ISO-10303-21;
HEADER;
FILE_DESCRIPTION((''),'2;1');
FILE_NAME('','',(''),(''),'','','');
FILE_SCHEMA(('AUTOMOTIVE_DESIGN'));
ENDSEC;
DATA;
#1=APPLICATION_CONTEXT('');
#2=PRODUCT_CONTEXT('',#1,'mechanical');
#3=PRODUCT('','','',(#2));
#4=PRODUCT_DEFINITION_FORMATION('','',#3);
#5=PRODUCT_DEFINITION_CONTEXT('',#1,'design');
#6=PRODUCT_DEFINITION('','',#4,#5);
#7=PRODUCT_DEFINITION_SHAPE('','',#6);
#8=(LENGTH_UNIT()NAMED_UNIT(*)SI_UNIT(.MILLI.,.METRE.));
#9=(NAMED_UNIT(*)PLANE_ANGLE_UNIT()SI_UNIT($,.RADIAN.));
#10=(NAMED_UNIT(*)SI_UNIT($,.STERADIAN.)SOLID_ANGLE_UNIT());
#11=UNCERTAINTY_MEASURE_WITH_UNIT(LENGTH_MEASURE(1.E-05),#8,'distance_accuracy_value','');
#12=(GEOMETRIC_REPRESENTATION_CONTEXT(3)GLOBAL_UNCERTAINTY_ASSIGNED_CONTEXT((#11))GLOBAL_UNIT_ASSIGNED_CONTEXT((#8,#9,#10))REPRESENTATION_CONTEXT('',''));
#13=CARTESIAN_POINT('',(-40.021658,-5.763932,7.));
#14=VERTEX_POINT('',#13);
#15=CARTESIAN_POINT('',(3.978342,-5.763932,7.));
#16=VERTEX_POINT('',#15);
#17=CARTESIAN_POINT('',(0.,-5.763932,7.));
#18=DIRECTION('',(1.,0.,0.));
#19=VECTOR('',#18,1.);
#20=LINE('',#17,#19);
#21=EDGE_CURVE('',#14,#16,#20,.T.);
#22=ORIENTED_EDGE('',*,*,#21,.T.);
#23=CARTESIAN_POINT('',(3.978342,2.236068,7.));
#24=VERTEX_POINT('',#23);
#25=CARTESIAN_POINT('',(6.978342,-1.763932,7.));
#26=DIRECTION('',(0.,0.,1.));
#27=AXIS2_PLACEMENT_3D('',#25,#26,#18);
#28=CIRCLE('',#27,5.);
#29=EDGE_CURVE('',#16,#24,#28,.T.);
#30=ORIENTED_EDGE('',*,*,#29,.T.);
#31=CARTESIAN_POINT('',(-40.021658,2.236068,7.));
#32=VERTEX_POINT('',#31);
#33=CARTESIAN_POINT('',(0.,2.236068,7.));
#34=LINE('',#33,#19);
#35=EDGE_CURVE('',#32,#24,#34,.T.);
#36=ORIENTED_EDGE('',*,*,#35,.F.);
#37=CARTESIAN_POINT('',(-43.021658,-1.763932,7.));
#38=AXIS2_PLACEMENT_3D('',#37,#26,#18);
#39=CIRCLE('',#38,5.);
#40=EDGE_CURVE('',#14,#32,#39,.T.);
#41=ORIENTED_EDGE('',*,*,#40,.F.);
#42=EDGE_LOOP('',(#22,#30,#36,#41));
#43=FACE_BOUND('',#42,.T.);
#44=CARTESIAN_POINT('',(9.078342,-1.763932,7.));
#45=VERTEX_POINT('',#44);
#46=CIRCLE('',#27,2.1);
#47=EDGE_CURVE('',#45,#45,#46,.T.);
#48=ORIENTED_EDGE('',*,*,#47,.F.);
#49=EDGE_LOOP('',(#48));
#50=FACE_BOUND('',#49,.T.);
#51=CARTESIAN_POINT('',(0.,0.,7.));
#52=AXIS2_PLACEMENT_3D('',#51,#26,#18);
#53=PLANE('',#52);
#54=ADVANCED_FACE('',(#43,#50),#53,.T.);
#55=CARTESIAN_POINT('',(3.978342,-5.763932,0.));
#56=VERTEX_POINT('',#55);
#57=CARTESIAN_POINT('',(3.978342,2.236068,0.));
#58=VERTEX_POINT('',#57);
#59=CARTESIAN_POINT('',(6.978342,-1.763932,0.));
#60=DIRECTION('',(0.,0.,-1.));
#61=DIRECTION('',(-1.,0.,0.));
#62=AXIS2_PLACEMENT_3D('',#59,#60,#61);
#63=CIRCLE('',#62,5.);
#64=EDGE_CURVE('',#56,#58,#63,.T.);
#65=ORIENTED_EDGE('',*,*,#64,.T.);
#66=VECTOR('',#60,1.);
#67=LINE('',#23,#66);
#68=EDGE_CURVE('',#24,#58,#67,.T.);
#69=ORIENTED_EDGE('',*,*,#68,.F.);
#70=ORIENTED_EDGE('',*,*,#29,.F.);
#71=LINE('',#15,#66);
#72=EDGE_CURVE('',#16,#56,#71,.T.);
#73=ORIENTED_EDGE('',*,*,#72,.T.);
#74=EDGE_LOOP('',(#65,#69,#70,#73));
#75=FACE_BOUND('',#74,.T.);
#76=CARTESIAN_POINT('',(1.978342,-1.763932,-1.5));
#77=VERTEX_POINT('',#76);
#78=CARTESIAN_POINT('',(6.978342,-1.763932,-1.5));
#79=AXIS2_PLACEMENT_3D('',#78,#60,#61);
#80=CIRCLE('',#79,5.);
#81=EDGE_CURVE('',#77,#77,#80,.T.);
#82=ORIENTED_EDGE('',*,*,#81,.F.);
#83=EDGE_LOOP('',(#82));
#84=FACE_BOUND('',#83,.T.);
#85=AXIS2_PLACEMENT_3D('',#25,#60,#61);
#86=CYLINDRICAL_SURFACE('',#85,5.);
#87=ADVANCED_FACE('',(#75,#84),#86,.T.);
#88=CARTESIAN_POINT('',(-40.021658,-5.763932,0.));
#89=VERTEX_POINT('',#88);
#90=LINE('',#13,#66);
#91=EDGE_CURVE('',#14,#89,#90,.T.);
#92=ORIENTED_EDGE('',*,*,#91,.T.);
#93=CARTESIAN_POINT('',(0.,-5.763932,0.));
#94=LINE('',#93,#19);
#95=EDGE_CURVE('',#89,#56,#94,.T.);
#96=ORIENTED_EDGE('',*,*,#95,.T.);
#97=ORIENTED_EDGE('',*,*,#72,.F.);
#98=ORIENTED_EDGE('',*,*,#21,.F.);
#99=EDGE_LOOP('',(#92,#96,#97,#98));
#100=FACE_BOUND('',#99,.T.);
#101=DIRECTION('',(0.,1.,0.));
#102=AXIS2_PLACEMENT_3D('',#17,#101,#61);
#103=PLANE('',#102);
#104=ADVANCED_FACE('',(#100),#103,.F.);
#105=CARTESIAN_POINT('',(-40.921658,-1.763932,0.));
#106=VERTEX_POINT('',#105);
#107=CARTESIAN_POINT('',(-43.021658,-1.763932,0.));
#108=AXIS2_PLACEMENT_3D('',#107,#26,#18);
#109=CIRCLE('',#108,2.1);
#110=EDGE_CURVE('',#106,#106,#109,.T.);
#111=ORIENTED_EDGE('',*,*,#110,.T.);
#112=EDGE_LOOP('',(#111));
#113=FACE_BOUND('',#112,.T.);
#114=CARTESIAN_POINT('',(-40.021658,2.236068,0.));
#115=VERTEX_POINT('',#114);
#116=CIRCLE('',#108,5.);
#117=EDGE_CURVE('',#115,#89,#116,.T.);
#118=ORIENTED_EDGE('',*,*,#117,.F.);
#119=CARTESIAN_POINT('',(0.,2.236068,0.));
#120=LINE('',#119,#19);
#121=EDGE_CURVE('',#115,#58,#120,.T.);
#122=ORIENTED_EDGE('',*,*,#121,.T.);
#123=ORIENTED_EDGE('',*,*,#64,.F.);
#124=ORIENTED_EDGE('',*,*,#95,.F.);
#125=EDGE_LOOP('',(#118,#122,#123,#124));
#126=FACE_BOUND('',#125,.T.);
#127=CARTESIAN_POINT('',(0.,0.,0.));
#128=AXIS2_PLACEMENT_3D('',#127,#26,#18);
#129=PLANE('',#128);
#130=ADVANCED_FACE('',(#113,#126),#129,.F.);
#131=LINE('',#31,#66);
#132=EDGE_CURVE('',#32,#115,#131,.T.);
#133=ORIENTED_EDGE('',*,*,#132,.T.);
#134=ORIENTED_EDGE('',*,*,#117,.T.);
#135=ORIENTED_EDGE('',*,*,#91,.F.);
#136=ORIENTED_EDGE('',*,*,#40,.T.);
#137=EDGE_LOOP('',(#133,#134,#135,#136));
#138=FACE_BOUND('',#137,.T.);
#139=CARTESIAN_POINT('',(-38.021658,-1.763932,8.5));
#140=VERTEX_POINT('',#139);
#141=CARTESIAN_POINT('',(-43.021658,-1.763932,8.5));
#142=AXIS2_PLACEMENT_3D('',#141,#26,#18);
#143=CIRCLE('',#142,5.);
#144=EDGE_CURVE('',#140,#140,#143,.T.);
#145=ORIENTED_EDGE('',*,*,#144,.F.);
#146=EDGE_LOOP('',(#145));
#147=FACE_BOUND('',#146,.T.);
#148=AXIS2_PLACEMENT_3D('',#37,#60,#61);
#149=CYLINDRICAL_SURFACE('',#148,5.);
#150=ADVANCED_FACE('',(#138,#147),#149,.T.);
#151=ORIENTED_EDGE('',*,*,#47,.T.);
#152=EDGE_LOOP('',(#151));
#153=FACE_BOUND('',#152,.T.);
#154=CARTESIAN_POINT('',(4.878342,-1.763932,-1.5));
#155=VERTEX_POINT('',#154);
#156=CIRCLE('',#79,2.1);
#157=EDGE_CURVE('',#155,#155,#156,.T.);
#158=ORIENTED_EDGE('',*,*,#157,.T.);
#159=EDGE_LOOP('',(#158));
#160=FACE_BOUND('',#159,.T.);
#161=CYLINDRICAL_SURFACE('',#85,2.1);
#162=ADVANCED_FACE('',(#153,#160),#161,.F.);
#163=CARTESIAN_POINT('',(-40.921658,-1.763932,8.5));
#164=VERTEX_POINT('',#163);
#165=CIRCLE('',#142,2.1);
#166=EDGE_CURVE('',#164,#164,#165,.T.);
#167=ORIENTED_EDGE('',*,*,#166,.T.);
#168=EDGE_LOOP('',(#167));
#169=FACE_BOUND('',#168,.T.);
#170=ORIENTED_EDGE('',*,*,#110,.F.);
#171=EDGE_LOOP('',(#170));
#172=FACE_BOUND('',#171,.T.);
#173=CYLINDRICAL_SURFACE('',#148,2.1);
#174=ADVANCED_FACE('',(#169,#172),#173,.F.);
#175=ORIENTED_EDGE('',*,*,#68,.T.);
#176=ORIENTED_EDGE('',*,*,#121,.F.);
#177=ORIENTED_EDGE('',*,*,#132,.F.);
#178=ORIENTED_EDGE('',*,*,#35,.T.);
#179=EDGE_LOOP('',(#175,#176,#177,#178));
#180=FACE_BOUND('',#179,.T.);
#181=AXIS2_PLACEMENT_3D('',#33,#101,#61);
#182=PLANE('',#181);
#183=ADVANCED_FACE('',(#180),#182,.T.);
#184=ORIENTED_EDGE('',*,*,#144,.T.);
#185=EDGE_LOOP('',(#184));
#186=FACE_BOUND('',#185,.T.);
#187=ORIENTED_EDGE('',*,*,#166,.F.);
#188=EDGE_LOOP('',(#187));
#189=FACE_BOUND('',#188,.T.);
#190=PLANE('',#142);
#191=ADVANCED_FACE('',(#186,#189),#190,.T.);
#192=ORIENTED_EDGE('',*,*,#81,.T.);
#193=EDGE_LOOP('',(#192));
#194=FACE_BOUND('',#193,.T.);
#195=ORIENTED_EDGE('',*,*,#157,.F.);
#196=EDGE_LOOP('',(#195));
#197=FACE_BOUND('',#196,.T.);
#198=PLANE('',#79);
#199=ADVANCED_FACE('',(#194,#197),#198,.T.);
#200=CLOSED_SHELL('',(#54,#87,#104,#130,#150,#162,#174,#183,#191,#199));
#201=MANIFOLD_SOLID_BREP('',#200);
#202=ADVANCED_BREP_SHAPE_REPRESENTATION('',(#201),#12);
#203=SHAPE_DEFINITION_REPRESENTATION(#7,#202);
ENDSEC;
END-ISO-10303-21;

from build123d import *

# Parameters (mm, degrees)
SKETCH2_R           = 2.1
BOSS_EXTRUDE1_DEPTH = 7
SKETCH3_R           = 5
SKETCH3_R_2         = 2.1
BOSS_EXTRUDE2_DEPTH = 1.5
SKETCH4_R           = 5
SKETCH4_R_2         = 2.1
BOSS_EXTRUDE3_DEPTH = 1.5


with BuildPart() as part:
    # Sketch2 → Boss-Extrude1 (new body)
    with BuildSketch(Plane.XY):
        with BuildLine():
            ThreePointArc((-40.021658011, 2.236067977), (-48.021658011, -1.763932023), (-40.021658011, -5.763932023))
            Line((-40.021658011, -5.763932023), (-40.021658011, 2.236067977))
        make_face()
        with Locations((-43.021658011, -1.763932023)):
            Circle(SKETCH2_R, mode=Mode.SUBTRACT)
        with BuildLine():
            Line((-40.021658011, 2.236067977), (-40.021658011, -5.763932023))
            ThreePointArc((-40.021658011, -5.763932023), (-38.549522056, -4), (-38.021658011, -1.763932023))
            ThreePointArc((-38.021658011, -1.763932023), (-38.549522056, 0.472135955), (-40.021658011, 2.236067977))
        make_face()
        with BuildLine():
            ThreePointArc((-38.021658011, -1.763932023), (-38.549522056, -4), (-40.021658011, -5.763932023))
            Line((-40.021658011, -5.763932023), (3.978341989, -5.763932023))
            ThreePointArc((3.978341989, -5.763932023), (1.978341989, -1.763932023), (3.978341989, 2.236067977))
            Line((3.978341989, 2.236067977), (-40.021658011, 2.236067977))
            ThreePointArc((-40.021658011, 2.236067977), (-38.549522056, 0.472135955), (-38.021658011, -1.763932023))
        make_face()
        with BuildLine():
            Line((3.978341989, 2.236067977), (3.978341989, -5.763932023))
            ThreePointArc((3.978341989, -5.763932023), (9.214409967, -6.236067977), (11.978341989, -1.763932023))
            ThreePointArc((11.978341989, -1.763932023), (9.214409967, 2.708203932), (3.978341989, 2.236067977))
        make_face()
        with Locations((6.978341989, -1.763932023)):
            Circle(SKETCH2_R, mode=Mode.SUBTRACT)
        with BuildLine():
            ThreePointArc((3.978341989, 2.236067977), (1.978341989, -1.763932023), (3.978341989, -5.763932023))
            Line((3.978341989, -5.763932023), (3.978341989, 2.236067977))
        make_face()
    extrude(amount=BOSS_EXTRUDE1_DEPTH)

    # Sketch3 → Boss-Extrude2 (add)
    with BuildSketch(Plane.XY.offset(7)):
        with Locations((-43.021658011, -1.763932023)):
            Circle(SKETCH3_R)
        with Locations((-43.021658011, -1.763932023)):
            Circle(SKETCH3_R_2, mode=Mode.SUBTRACT)
    extrude(amount=BOSS_EXTRUDE2_DEPTH)

    # Sketch4 → Boss-Extrude3 (add)
    with BuildSketch(Plane(origin=(0, 0, 0), x_dir=(-1, 0, 0), z_dir=(0, 0, -1))):
        with Locations((-6.978341989, -1.763932023)):
            Circle(SKETCH4_R)
        with Locations((-6.978341989, -1.763932023)):
            Circle(SKETCH4_R_2, mode=Mode.SUBTRACT)
    extrude(amount=BOSS_EXTRUDE3_DEPTH)


solid = part.part
